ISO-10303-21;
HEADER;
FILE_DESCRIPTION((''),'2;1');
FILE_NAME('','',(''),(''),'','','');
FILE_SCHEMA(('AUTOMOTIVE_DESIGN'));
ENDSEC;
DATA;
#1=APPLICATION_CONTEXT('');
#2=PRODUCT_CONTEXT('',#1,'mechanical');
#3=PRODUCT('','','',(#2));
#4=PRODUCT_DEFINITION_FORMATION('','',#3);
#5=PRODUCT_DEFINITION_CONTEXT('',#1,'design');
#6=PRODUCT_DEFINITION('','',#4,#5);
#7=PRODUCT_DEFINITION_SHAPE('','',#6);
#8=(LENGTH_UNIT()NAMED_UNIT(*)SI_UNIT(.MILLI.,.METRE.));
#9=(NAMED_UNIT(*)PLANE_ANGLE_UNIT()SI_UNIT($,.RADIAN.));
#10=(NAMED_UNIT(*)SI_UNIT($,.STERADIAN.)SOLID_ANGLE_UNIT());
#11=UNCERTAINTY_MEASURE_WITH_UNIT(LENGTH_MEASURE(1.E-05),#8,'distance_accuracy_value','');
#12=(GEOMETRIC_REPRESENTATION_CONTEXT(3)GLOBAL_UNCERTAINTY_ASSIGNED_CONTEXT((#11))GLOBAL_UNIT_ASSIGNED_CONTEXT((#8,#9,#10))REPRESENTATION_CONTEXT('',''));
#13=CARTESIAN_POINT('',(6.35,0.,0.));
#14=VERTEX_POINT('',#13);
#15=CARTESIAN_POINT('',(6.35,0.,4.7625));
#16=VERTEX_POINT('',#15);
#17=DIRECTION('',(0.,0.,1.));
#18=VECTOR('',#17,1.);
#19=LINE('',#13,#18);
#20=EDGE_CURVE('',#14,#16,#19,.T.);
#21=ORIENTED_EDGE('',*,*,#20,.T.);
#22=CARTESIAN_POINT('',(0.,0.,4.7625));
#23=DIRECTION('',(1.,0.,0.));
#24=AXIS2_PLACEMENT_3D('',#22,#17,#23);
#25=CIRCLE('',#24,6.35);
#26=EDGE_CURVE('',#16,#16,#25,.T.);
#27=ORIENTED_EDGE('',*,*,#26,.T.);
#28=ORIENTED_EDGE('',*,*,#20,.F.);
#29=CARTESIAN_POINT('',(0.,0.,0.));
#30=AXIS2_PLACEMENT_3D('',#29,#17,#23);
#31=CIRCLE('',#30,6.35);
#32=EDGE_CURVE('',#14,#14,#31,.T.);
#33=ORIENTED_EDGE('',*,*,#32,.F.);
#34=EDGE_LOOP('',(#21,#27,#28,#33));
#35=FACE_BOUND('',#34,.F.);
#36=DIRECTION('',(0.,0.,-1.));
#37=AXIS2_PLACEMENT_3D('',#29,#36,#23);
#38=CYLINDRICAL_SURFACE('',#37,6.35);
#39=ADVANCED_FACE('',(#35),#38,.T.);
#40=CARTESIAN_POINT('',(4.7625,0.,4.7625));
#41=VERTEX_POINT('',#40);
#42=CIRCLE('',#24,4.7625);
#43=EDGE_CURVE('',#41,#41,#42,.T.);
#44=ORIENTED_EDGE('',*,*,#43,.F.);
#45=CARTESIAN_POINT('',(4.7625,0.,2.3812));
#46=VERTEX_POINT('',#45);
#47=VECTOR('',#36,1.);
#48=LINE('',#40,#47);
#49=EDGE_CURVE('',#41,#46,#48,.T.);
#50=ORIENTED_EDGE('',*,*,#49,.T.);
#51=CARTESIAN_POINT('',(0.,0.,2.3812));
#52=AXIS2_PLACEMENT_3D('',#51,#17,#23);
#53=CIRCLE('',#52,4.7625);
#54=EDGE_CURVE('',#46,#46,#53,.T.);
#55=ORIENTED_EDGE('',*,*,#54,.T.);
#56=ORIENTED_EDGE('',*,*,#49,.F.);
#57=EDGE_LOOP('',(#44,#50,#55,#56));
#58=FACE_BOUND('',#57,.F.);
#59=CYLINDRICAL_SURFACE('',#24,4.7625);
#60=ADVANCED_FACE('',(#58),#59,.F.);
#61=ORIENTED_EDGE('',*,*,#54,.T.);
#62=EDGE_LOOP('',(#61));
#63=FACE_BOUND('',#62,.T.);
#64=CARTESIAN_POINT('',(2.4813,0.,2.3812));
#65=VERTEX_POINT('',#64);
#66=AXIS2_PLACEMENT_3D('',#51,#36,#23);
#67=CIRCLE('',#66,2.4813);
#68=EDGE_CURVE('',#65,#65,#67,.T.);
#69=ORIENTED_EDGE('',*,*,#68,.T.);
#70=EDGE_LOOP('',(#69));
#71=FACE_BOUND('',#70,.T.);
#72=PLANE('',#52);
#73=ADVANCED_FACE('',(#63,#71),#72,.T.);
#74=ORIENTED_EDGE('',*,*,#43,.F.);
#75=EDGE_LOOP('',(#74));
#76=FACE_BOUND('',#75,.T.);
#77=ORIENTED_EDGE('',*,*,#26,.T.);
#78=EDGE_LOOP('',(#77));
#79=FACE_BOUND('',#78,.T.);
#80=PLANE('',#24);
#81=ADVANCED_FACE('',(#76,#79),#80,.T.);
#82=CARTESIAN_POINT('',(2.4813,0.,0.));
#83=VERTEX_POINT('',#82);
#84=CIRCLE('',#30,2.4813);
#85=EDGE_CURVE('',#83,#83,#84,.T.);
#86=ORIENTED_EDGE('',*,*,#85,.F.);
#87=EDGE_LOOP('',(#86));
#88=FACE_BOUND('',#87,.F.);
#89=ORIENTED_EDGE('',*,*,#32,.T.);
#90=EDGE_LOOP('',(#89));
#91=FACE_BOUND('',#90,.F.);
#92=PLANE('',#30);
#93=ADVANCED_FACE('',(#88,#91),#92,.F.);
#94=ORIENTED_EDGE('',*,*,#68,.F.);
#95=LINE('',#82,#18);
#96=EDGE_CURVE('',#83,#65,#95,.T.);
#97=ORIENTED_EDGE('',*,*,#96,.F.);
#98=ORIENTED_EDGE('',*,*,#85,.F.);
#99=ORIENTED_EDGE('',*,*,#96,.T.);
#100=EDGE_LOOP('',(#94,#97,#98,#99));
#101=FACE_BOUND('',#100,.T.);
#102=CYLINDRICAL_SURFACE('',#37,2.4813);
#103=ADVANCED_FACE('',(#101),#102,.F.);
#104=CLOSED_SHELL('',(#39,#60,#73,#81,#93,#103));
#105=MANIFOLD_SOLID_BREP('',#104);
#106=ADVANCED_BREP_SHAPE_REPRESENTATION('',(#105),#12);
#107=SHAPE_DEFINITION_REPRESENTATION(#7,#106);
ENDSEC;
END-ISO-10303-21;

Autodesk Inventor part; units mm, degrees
ref_plane "YZ Plane" through (0, 0, 0) normal (1, 0, 0) x (0, 1, 0)
ref_plane "XZ Plane" through (0, 0, 0) normal (0, 1, 0) x (-1, 0, 0)
ref_plane "XY Plane" through (0, 0, 0) normal (0, 0, 1) x (1, 0, 0)
sketch "Sketch1" plane through (0, 0, 0) normal (0, 0, 1) x (1, 0, 0)
  circle A0 centre (0, 0) radius 6.35
  circle A1 centre (0, 0) radius 2.4813
  dimension "d0" = 12.7
  dimension "d1" = 4.9625
extrude "Extrusion1" add sketch "Sketch1" along normal blind 4.7625
sketch "Sketch2" plane through (0, 0, 4.7625) normal (0, 0, 1) x (1, 0, 0)
  circle A0 centre (0, 0) radius 4.7625
  dimension "d4" = 9.525
extrude "Extrusion2" cut sketch "Sketch2" against normal blind 2.3813
properties part number "Roller" material "Nylon 6/6"
